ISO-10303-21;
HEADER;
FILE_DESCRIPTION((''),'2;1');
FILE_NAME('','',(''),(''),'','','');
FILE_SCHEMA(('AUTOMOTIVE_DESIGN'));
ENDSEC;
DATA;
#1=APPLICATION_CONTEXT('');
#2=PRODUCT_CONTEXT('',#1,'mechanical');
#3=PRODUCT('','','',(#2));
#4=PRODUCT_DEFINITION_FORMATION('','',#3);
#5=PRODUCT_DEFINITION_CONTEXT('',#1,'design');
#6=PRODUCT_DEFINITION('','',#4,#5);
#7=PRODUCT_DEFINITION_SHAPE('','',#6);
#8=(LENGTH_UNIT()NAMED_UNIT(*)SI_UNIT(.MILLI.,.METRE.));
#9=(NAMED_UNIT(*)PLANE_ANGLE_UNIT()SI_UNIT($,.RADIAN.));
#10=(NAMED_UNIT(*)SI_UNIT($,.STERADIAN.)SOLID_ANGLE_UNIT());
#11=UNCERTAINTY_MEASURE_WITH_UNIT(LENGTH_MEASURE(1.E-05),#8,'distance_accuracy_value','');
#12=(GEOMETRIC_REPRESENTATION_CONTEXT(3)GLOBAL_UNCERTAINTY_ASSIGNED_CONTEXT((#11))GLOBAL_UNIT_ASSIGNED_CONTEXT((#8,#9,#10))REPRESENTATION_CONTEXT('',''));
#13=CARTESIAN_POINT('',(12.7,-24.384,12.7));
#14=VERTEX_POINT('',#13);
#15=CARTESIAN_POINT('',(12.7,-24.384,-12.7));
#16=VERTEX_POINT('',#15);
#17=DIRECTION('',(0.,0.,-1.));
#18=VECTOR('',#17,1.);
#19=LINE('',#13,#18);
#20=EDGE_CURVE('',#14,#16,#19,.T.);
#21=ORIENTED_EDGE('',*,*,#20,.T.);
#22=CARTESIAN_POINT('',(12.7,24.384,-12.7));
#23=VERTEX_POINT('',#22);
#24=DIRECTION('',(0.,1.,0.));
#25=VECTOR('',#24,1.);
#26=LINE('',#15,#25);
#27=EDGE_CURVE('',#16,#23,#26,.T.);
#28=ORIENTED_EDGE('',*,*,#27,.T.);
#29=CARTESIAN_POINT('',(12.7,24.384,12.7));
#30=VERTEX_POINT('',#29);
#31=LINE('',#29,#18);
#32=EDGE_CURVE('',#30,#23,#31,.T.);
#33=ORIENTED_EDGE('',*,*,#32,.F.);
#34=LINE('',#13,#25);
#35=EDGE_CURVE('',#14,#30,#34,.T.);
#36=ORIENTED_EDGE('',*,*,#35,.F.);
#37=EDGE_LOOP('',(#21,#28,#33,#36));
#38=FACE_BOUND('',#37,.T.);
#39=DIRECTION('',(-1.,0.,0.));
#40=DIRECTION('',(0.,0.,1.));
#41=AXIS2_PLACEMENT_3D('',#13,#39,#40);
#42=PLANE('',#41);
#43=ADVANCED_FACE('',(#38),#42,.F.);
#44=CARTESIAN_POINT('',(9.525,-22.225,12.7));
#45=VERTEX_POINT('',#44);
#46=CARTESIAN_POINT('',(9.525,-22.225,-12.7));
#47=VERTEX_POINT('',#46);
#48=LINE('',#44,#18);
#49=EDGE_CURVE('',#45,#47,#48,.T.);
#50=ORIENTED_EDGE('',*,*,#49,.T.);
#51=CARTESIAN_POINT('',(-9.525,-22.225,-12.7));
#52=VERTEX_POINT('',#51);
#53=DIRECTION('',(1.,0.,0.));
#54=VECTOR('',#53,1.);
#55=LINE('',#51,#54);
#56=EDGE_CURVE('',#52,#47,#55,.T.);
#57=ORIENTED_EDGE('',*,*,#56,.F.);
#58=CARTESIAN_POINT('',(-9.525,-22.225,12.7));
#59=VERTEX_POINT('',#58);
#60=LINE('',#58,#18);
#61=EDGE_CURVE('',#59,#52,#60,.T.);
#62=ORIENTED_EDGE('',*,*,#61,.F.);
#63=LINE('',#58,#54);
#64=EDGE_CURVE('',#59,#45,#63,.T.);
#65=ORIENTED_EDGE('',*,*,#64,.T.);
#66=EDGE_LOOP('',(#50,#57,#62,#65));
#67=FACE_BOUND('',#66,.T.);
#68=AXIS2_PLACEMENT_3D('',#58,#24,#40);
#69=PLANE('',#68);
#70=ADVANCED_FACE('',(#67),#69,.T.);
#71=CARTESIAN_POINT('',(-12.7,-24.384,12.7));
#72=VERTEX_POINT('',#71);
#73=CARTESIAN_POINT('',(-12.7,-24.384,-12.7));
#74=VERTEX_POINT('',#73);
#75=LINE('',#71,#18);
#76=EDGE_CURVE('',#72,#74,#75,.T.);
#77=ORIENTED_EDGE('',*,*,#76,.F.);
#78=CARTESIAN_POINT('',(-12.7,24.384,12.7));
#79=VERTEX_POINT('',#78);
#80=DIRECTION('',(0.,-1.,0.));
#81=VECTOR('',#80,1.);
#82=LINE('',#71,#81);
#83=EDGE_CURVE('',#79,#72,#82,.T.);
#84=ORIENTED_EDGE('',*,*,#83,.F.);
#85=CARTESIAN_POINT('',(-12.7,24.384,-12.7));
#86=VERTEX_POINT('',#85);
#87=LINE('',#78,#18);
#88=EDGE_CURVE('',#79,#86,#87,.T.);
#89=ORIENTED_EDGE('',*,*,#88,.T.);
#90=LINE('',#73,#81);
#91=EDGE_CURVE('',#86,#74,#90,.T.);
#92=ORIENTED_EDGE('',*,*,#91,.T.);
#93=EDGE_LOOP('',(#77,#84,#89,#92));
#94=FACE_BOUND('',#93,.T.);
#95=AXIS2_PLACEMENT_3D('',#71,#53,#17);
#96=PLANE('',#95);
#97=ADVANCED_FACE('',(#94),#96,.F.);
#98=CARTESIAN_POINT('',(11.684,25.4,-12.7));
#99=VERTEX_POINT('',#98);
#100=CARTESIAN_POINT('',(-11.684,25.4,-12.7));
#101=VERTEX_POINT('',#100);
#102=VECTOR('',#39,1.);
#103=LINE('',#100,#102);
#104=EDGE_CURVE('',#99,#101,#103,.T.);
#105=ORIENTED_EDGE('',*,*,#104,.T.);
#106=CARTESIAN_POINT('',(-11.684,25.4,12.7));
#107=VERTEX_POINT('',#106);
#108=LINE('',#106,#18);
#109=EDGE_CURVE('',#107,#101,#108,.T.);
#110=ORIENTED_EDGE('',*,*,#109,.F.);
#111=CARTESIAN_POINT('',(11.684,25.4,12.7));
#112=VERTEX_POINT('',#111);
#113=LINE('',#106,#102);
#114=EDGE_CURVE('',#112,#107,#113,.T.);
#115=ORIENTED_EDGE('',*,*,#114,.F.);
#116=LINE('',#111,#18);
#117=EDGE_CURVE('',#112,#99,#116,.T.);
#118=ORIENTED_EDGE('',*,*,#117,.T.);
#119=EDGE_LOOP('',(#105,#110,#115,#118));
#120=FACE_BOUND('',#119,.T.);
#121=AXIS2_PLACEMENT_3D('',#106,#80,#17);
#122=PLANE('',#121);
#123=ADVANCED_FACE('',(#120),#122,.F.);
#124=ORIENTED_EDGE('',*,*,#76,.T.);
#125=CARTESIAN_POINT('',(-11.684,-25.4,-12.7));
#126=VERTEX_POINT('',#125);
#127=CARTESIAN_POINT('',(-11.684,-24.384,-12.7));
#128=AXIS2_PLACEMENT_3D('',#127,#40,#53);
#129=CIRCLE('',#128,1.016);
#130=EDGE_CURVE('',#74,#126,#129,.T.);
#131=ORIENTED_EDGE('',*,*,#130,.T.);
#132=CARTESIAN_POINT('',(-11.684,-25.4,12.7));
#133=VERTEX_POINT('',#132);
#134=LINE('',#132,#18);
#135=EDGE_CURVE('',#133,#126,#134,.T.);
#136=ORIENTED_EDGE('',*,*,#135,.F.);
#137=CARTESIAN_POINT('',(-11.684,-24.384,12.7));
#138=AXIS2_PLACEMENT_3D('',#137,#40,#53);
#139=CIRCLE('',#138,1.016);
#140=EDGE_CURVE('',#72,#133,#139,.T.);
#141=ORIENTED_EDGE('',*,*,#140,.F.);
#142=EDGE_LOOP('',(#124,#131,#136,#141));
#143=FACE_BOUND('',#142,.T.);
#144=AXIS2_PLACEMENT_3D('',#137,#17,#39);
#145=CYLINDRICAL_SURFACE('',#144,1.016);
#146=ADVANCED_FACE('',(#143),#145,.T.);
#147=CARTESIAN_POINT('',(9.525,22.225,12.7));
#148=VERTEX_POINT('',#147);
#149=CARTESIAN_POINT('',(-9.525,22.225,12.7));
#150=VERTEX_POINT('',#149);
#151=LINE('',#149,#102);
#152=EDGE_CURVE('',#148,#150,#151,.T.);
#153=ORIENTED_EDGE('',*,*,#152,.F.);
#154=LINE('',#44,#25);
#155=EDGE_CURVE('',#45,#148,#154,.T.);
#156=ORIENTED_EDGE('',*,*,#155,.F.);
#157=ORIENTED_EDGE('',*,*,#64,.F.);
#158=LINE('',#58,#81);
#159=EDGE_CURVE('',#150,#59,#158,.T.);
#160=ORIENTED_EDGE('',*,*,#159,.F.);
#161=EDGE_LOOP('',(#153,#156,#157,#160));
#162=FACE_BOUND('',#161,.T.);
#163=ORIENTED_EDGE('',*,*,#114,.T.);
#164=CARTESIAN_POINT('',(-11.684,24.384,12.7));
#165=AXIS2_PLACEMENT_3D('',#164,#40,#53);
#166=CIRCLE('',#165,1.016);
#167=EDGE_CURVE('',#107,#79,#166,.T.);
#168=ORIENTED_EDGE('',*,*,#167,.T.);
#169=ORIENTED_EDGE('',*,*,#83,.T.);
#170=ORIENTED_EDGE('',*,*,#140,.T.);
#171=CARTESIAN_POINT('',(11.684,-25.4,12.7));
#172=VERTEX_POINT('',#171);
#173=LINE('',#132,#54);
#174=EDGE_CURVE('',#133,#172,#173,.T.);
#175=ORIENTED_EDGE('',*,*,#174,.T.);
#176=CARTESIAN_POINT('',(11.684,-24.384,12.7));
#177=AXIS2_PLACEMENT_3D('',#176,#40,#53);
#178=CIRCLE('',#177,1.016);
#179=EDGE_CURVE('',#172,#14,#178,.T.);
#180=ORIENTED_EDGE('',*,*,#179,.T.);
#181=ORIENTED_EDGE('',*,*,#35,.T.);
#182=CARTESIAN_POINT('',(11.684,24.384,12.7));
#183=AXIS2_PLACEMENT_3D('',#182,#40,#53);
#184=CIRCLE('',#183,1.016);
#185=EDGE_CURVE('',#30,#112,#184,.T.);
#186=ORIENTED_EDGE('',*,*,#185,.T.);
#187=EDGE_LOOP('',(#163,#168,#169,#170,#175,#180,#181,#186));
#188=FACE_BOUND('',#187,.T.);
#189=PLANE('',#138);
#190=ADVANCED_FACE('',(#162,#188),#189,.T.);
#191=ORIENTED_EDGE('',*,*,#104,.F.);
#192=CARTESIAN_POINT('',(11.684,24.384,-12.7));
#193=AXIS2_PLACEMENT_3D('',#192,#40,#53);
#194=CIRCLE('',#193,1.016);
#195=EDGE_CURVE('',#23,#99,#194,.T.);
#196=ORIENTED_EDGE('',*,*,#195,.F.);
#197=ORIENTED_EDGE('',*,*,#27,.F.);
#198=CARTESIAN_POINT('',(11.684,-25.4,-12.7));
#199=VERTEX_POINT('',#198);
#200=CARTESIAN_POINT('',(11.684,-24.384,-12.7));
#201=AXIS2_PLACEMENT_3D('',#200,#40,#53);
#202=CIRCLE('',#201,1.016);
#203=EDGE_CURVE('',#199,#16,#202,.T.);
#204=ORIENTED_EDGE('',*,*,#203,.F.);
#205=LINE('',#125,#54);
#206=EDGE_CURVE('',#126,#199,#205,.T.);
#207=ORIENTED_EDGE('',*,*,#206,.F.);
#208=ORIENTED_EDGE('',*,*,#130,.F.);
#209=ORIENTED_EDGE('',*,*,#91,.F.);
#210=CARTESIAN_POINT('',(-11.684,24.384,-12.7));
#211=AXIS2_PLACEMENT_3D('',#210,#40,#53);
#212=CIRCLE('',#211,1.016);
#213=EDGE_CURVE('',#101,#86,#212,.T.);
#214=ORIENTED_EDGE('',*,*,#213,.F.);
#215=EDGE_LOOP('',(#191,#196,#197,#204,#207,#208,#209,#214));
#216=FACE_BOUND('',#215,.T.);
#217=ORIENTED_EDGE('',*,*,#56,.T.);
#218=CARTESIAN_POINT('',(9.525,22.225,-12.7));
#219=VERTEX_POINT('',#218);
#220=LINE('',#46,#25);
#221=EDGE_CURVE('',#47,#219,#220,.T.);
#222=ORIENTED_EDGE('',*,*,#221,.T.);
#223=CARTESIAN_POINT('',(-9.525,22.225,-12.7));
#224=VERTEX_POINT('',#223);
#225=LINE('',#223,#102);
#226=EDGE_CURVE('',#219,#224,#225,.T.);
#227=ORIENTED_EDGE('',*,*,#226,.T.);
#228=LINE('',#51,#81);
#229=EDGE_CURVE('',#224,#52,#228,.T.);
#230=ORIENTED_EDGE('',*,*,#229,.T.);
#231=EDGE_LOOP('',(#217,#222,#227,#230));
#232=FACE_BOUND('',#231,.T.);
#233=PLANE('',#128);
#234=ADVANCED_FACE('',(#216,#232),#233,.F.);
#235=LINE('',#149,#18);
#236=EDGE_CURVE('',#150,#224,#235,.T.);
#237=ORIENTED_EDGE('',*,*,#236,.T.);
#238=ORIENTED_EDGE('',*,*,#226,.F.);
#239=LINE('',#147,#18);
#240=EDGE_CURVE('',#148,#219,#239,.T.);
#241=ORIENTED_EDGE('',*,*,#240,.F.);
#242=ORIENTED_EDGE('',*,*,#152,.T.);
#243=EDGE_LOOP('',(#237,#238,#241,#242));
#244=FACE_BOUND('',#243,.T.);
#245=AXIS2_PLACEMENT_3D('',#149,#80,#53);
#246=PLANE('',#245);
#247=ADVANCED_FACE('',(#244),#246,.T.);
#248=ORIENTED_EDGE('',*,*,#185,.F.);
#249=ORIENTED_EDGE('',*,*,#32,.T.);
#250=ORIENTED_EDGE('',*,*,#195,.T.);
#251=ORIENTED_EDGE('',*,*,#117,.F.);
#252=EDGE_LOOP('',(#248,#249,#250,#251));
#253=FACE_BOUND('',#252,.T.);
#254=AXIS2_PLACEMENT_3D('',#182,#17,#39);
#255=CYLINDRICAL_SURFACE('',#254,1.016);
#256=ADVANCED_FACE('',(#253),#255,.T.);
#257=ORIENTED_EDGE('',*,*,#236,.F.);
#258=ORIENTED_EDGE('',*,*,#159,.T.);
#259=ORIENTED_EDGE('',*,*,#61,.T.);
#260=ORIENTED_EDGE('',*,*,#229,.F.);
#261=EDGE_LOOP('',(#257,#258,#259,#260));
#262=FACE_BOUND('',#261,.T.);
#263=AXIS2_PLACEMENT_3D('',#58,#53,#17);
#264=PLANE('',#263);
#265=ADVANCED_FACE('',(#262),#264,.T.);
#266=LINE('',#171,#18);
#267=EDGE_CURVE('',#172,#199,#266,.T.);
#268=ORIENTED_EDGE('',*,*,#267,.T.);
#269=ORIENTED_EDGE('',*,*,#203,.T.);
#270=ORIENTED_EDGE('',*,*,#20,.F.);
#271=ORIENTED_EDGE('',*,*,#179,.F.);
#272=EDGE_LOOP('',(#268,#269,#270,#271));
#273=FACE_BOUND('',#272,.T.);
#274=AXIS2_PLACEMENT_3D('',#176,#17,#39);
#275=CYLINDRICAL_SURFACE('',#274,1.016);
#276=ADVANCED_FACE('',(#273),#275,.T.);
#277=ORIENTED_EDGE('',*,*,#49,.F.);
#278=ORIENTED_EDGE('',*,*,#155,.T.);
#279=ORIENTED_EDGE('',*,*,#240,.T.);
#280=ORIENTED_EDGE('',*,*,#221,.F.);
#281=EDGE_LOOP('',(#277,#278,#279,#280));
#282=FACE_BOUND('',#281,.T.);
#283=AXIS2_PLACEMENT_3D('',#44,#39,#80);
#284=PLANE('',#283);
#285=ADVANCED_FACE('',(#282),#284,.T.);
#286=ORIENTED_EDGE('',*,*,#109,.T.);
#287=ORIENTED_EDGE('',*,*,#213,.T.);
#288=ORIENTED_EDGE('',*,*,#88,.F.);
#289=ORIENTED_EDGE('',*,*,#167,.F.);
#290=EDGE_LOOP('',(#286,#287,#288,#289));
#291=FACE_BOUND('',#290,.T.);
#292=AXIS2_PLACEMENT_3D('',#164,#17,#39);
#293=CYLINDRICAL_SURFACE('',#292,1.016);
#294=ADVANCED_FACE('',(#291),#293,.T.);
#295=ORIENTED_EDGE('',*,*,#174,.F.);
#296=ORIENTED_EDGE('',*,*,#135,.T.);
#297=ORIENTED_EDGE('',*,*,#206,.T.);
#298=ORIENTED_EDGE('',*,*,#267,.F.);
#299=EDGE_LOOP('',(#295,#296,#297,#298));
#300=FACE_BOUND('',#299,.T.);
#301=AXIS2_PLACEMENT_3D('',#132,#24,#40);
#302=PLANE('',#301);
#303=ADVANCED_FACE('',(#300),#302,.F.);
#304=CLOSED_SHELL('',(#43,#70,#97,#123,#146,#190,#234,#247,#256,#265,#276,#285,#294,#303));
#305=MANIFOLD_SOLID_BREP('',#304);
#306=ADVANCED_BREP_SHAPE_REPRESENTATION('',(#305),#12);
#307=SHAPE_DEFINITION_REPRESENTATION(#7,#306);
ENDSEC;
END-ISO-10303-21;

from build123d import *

# Parameters (mm, degrees)
SKETCH1_W           = 19.05
SKETCH1_H           = 44.45
BOSS_EXTRUDE1_DEPTH = 12.7


with BuildPart() as part:
    # Sketch1 → Boss-Extrude1 (new, symmetric)
    with BuildSketch(Plane.XY):
        with BuildLine():
            Line((-11.684, -25.4), (11.684, -25.4))
            ThreePointArc((11.684, -25.4), (12.40242049, -25.10242049), (12.7, -24.384))
            Line((12.7, -24.384), (12.7, 24.384))
            ThreePointArc((12.7, 24.384), (12.40242049, 25.10242049), (11.684, 25.4))
            Line((11.684, 25.4), (-11.684, 25.4))
            ThreePointArc((-11.684, 25.4), (-12.40242049, 25.10242049), (-12.7, 24.384))
            Line((-12.7, 24.384), (-12.7, -24.384))
            ThreePointArc((-12.7, -24.384), (-12.40242049, -25.10242049), (-11.684, -25.4))
        make_face()
        Rectangle(SKETCH1_W, SKETCH1_H, mode=Mode.SUBTRACT)
    extrude(amount=BOSS_EXTRUDE1_DEPTH, both=True)


solid = part.part
